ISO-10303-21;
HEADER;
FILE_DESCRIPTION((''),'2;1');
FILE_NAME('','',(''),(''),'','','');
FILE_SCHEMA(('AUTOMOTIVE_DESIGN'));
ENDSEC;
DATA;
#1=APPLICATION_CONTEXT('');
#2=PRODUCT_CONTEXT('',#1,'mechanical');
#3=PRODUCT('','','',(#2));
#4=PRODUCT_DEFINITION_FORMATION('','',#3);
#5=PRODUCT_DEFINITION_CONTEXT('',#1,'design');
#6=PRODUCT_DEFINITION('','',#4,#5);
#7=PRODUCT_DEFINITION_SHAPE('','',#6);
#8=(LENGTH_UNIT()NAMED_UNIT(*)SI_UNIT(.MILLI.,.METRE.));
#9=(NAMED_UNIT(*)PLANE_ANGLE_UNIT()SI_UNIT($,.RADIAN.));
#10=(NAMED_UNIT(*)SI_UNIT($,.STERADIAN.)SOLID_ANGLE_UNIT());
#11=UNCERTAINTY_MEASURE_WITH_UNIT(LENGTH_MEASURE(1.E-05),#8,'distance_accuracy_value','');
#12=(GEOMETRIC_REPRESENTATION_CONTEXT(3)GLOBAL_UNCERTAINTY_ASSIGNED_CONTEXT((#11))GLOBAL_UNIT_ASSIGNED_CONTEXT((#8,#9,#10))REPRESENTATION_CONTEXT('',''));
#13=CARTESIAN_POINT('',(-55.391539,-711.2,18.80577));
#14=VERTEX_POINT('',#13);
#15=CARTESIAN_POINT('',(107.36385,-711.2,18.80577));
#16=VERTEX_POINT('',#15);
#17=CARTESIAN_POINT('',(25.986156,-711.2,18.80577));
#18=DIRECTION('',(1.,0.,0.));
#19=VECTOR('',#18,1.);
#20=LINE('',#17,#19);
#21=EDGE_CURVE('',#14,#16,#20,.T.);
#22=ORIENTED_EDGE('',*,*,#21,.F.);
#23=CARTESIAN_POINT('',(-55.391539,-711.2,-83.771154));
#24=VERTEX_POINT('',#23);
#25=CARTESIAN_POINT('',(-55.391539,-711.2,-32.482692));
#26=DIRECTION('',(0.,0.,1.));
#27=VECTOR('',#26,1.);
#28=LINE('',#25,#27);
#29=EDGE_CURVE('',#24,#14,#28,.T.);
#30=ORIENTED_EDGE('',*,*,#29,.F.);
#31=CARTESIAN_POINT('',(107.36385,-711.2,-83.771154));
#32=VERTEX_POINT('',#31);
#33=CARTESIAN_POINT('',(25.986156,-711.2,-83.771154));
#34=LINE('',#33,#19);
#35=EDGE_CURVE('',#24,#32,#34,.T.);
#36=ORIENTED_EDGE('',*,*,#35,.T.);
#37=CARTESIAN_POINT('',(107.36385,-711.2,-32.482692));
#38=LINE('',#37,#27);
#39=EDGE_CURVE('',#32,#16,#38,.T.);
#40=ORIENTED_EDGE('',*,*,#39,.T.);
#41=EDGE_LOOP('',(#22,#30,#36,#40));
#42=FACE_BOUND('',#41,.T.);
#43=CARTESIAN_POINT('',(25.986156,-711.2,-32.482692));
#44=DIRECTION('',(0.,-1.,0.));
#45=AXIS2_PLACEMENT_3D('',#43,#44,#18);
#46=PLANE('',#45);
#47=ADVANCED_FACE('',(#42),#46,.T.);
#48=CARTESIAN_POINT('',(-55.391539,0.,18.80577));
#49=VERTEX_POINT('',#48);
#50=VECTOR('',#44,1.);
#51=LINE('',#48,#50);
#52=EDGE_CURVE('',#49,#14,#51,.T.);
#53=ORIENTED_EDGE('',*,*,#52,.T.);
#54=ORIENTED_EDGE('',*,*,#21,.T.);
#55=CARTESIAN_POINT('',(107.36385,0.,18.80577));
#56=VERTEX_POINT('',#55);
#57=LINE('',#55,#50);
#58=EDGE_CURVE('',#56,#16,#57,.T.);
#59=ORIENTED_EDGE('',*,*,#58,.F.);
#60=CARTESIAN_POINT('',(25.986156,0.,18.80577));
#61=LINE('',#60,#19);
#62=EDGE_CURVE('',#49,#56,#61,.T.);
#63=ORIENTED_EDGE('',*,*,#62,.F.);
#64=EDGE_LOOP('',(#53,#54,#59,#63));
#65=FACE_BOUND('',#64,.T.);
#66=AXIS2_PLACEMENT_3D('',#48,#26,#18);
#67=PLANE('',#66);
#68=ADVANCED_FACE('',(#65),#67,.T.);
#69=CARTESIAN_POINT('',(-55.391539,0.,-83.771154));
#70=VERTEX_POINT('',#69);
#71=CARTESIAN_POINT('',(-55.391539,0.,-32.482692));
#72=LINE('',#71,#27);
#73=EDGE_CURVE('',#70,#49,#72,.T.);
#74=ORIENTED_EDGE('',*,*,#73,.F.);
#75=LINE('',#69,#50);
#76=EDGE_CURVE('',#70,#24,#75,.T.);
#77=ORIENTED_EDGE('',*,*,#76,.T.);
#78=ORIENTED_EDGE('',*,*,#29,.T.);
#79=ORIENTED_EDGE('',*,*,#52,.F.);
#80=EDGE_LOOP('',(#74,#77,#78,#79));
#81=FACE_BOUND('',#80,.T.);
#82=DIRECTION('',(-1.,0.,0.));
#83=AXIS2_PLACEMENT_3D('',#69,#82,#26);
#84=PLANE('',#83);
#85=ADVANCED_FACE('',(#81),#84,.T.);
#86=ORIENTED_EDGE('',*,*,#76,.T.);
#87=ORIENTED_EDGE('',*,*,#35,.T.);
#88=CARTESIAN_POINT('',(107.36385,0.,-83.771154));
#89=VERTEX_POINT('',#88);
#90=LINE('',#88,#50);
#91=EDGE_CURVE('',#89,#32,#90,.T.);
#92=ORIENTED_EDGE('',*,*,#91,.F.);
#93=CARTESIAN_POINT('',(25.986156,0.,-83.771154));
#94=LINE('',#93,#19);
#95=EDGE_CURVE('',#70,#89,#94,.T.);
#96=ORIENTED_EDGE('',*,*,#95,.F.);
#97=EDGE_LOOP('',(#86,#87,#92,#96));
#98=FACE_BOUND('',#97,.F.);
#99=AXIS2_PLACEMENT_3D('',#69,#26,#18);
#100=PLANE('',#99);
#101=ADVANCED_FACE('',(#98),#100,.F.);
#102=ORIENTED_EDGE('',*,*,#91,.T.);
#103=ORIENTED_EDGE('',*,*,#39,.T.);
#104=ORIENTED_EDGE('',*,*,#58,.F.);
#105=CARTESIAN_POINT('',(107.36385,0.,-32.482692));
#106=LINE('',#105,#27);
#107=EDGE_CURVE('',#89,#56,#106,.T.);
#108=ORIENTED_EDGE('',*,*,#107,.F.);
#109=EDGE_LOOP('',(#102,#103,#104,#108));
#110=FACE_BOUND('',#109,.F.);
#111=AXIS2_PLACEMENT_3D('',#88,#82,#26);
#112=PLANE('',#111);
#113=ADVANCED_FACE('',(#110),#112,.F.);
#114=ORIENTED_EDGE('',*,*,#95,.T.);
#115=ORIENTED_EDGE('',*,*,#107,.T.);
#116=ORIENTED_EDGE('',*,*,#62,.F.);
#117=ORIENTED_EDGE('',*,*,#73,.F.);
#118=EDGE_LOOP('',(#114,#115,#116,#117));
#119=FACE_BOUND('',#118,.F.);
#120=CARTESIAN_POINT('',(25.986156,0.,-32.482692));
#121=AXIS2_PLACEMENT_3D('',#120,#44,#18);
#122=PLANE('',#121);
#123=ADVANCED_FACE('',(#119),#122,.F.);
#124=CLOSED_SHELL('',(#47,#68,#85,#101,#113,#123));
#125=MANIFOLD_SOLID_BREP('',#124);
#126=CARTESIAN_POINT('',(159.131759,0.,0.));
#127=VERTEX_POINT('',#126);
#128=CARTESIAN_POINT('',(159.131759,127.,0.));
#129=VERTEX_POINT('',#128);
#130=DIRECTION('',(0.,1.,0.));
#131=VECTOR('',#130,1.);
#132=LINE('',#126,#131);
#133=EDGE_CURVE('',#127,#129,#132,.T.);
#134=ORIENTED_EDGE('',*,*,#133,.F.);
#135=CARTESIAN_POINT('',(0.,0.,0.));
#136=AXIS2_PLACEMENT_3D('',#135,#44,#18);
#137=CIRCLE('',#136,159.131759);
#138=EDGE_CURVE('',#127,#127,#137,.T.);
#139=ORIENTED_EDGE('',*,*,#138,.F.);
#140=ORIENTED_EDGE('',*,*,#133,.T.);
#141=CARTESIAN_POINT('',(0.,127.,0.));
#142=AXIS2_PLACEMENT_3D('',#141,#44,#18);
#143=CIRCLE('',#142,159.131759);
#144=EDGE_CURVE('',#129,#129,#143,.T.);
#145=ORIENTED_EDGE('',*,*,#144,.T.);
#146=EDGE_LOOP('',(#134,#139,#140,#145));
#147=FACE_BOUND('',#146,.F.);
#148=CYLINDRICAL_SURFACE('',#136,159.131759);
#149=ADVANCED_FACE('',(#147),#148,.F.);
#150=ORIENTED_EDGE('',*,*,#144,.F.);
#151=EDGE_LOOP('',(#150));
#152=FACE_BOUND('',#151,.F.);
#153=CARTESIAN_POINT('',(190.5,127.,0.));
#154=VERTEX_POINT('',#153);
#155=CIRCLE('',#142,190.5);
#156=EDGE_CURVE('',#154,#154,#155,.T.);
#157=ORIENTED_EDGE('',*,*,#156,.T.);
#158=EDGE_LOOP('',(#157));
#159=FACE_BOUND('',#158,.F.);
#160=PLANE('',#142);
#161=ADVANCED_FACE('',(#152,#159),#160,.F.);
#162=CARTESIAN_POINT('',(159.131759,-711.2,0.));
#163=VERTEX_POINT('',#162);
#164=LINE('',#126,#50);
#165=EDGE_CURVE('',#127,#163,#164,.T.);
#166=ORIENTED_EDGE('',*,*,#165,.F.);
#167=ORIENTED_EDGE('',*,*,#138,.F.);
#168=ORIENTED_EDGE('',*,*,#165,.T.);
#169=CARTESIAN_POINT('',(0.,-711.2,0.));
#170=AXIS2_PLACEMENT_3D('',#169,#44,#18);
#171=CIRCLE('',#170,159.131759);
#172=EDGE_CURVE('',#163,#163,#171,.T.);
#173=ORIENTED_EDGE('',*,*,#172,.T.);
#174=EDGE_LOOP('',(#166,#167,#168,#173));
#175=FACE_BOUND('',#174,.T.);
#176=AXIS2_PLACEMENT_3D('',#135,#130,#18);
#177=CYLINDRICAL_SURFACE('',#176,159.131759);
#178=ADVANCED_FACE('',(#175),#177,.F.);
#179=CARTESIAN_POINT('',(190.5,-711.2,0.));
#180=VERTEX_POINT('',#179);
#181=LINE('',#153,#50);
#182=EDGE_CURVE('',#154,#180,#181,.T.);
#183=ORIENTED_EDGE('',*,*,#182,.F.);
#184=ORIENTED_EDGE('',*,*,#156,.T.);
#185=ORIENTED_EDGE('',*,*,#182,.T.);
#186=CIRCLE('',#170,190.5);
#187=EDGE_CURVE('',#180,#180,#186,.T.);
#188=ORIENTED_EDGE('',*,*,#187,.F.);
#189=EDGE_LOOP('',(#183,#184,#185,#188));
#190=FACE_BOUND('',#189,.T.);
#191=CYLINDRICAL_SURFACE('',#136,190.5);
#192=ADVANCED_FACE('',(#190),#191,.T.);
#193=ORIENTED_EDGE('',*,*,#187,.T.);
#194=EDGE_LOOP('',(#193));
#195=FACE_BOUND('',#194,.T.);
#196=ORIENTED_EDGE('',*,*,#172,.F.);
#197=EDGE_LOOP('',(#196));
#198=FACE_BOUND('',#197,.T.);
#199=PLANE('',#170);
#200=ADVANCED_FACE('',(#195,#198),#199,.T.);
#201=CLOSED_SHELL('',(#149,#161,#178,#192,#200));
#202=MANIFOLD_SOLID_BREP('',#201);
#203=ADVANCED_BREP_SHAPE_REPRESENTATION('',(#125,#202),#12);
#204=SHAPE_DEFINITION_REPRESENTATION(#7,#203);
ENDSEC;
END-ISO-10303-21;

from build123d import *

# Parameters (mm, degrees)
F0_R          = 190.5
F0_R_2        = 159.131759
F1_DEPTH      = 711.2
F1_DEPTH_BACK = 127
F2_W          = 162.755389
F2_H          = 102.576924
F3_DEPTH      = 711.2


with BuildPart() as f1:
    # F0 (on Front) → F1 (new body, two sides)
    with BuildSketch(Plane.XZ) as f1_sk:
        Circle(F0_R)
        Circle(F0_R_2, mode=Mode.SUBTRACT)
    extrude(amount=F1_DEPTH)
    extrude(f1_sk.sketch, amount=-F1_DEPTH_BACK)


with BuildPart() as f3:
    # F2 (on Front) → F3 (new body)
    with BuildSketch(Plane.XZ):
        with Locations((25.986156, -32.482692)):
            Rectangle(F2_W, F2_H)
    extrude(amount=F3_DEPTH)


solid = Compound([f1.part, f3.part])
